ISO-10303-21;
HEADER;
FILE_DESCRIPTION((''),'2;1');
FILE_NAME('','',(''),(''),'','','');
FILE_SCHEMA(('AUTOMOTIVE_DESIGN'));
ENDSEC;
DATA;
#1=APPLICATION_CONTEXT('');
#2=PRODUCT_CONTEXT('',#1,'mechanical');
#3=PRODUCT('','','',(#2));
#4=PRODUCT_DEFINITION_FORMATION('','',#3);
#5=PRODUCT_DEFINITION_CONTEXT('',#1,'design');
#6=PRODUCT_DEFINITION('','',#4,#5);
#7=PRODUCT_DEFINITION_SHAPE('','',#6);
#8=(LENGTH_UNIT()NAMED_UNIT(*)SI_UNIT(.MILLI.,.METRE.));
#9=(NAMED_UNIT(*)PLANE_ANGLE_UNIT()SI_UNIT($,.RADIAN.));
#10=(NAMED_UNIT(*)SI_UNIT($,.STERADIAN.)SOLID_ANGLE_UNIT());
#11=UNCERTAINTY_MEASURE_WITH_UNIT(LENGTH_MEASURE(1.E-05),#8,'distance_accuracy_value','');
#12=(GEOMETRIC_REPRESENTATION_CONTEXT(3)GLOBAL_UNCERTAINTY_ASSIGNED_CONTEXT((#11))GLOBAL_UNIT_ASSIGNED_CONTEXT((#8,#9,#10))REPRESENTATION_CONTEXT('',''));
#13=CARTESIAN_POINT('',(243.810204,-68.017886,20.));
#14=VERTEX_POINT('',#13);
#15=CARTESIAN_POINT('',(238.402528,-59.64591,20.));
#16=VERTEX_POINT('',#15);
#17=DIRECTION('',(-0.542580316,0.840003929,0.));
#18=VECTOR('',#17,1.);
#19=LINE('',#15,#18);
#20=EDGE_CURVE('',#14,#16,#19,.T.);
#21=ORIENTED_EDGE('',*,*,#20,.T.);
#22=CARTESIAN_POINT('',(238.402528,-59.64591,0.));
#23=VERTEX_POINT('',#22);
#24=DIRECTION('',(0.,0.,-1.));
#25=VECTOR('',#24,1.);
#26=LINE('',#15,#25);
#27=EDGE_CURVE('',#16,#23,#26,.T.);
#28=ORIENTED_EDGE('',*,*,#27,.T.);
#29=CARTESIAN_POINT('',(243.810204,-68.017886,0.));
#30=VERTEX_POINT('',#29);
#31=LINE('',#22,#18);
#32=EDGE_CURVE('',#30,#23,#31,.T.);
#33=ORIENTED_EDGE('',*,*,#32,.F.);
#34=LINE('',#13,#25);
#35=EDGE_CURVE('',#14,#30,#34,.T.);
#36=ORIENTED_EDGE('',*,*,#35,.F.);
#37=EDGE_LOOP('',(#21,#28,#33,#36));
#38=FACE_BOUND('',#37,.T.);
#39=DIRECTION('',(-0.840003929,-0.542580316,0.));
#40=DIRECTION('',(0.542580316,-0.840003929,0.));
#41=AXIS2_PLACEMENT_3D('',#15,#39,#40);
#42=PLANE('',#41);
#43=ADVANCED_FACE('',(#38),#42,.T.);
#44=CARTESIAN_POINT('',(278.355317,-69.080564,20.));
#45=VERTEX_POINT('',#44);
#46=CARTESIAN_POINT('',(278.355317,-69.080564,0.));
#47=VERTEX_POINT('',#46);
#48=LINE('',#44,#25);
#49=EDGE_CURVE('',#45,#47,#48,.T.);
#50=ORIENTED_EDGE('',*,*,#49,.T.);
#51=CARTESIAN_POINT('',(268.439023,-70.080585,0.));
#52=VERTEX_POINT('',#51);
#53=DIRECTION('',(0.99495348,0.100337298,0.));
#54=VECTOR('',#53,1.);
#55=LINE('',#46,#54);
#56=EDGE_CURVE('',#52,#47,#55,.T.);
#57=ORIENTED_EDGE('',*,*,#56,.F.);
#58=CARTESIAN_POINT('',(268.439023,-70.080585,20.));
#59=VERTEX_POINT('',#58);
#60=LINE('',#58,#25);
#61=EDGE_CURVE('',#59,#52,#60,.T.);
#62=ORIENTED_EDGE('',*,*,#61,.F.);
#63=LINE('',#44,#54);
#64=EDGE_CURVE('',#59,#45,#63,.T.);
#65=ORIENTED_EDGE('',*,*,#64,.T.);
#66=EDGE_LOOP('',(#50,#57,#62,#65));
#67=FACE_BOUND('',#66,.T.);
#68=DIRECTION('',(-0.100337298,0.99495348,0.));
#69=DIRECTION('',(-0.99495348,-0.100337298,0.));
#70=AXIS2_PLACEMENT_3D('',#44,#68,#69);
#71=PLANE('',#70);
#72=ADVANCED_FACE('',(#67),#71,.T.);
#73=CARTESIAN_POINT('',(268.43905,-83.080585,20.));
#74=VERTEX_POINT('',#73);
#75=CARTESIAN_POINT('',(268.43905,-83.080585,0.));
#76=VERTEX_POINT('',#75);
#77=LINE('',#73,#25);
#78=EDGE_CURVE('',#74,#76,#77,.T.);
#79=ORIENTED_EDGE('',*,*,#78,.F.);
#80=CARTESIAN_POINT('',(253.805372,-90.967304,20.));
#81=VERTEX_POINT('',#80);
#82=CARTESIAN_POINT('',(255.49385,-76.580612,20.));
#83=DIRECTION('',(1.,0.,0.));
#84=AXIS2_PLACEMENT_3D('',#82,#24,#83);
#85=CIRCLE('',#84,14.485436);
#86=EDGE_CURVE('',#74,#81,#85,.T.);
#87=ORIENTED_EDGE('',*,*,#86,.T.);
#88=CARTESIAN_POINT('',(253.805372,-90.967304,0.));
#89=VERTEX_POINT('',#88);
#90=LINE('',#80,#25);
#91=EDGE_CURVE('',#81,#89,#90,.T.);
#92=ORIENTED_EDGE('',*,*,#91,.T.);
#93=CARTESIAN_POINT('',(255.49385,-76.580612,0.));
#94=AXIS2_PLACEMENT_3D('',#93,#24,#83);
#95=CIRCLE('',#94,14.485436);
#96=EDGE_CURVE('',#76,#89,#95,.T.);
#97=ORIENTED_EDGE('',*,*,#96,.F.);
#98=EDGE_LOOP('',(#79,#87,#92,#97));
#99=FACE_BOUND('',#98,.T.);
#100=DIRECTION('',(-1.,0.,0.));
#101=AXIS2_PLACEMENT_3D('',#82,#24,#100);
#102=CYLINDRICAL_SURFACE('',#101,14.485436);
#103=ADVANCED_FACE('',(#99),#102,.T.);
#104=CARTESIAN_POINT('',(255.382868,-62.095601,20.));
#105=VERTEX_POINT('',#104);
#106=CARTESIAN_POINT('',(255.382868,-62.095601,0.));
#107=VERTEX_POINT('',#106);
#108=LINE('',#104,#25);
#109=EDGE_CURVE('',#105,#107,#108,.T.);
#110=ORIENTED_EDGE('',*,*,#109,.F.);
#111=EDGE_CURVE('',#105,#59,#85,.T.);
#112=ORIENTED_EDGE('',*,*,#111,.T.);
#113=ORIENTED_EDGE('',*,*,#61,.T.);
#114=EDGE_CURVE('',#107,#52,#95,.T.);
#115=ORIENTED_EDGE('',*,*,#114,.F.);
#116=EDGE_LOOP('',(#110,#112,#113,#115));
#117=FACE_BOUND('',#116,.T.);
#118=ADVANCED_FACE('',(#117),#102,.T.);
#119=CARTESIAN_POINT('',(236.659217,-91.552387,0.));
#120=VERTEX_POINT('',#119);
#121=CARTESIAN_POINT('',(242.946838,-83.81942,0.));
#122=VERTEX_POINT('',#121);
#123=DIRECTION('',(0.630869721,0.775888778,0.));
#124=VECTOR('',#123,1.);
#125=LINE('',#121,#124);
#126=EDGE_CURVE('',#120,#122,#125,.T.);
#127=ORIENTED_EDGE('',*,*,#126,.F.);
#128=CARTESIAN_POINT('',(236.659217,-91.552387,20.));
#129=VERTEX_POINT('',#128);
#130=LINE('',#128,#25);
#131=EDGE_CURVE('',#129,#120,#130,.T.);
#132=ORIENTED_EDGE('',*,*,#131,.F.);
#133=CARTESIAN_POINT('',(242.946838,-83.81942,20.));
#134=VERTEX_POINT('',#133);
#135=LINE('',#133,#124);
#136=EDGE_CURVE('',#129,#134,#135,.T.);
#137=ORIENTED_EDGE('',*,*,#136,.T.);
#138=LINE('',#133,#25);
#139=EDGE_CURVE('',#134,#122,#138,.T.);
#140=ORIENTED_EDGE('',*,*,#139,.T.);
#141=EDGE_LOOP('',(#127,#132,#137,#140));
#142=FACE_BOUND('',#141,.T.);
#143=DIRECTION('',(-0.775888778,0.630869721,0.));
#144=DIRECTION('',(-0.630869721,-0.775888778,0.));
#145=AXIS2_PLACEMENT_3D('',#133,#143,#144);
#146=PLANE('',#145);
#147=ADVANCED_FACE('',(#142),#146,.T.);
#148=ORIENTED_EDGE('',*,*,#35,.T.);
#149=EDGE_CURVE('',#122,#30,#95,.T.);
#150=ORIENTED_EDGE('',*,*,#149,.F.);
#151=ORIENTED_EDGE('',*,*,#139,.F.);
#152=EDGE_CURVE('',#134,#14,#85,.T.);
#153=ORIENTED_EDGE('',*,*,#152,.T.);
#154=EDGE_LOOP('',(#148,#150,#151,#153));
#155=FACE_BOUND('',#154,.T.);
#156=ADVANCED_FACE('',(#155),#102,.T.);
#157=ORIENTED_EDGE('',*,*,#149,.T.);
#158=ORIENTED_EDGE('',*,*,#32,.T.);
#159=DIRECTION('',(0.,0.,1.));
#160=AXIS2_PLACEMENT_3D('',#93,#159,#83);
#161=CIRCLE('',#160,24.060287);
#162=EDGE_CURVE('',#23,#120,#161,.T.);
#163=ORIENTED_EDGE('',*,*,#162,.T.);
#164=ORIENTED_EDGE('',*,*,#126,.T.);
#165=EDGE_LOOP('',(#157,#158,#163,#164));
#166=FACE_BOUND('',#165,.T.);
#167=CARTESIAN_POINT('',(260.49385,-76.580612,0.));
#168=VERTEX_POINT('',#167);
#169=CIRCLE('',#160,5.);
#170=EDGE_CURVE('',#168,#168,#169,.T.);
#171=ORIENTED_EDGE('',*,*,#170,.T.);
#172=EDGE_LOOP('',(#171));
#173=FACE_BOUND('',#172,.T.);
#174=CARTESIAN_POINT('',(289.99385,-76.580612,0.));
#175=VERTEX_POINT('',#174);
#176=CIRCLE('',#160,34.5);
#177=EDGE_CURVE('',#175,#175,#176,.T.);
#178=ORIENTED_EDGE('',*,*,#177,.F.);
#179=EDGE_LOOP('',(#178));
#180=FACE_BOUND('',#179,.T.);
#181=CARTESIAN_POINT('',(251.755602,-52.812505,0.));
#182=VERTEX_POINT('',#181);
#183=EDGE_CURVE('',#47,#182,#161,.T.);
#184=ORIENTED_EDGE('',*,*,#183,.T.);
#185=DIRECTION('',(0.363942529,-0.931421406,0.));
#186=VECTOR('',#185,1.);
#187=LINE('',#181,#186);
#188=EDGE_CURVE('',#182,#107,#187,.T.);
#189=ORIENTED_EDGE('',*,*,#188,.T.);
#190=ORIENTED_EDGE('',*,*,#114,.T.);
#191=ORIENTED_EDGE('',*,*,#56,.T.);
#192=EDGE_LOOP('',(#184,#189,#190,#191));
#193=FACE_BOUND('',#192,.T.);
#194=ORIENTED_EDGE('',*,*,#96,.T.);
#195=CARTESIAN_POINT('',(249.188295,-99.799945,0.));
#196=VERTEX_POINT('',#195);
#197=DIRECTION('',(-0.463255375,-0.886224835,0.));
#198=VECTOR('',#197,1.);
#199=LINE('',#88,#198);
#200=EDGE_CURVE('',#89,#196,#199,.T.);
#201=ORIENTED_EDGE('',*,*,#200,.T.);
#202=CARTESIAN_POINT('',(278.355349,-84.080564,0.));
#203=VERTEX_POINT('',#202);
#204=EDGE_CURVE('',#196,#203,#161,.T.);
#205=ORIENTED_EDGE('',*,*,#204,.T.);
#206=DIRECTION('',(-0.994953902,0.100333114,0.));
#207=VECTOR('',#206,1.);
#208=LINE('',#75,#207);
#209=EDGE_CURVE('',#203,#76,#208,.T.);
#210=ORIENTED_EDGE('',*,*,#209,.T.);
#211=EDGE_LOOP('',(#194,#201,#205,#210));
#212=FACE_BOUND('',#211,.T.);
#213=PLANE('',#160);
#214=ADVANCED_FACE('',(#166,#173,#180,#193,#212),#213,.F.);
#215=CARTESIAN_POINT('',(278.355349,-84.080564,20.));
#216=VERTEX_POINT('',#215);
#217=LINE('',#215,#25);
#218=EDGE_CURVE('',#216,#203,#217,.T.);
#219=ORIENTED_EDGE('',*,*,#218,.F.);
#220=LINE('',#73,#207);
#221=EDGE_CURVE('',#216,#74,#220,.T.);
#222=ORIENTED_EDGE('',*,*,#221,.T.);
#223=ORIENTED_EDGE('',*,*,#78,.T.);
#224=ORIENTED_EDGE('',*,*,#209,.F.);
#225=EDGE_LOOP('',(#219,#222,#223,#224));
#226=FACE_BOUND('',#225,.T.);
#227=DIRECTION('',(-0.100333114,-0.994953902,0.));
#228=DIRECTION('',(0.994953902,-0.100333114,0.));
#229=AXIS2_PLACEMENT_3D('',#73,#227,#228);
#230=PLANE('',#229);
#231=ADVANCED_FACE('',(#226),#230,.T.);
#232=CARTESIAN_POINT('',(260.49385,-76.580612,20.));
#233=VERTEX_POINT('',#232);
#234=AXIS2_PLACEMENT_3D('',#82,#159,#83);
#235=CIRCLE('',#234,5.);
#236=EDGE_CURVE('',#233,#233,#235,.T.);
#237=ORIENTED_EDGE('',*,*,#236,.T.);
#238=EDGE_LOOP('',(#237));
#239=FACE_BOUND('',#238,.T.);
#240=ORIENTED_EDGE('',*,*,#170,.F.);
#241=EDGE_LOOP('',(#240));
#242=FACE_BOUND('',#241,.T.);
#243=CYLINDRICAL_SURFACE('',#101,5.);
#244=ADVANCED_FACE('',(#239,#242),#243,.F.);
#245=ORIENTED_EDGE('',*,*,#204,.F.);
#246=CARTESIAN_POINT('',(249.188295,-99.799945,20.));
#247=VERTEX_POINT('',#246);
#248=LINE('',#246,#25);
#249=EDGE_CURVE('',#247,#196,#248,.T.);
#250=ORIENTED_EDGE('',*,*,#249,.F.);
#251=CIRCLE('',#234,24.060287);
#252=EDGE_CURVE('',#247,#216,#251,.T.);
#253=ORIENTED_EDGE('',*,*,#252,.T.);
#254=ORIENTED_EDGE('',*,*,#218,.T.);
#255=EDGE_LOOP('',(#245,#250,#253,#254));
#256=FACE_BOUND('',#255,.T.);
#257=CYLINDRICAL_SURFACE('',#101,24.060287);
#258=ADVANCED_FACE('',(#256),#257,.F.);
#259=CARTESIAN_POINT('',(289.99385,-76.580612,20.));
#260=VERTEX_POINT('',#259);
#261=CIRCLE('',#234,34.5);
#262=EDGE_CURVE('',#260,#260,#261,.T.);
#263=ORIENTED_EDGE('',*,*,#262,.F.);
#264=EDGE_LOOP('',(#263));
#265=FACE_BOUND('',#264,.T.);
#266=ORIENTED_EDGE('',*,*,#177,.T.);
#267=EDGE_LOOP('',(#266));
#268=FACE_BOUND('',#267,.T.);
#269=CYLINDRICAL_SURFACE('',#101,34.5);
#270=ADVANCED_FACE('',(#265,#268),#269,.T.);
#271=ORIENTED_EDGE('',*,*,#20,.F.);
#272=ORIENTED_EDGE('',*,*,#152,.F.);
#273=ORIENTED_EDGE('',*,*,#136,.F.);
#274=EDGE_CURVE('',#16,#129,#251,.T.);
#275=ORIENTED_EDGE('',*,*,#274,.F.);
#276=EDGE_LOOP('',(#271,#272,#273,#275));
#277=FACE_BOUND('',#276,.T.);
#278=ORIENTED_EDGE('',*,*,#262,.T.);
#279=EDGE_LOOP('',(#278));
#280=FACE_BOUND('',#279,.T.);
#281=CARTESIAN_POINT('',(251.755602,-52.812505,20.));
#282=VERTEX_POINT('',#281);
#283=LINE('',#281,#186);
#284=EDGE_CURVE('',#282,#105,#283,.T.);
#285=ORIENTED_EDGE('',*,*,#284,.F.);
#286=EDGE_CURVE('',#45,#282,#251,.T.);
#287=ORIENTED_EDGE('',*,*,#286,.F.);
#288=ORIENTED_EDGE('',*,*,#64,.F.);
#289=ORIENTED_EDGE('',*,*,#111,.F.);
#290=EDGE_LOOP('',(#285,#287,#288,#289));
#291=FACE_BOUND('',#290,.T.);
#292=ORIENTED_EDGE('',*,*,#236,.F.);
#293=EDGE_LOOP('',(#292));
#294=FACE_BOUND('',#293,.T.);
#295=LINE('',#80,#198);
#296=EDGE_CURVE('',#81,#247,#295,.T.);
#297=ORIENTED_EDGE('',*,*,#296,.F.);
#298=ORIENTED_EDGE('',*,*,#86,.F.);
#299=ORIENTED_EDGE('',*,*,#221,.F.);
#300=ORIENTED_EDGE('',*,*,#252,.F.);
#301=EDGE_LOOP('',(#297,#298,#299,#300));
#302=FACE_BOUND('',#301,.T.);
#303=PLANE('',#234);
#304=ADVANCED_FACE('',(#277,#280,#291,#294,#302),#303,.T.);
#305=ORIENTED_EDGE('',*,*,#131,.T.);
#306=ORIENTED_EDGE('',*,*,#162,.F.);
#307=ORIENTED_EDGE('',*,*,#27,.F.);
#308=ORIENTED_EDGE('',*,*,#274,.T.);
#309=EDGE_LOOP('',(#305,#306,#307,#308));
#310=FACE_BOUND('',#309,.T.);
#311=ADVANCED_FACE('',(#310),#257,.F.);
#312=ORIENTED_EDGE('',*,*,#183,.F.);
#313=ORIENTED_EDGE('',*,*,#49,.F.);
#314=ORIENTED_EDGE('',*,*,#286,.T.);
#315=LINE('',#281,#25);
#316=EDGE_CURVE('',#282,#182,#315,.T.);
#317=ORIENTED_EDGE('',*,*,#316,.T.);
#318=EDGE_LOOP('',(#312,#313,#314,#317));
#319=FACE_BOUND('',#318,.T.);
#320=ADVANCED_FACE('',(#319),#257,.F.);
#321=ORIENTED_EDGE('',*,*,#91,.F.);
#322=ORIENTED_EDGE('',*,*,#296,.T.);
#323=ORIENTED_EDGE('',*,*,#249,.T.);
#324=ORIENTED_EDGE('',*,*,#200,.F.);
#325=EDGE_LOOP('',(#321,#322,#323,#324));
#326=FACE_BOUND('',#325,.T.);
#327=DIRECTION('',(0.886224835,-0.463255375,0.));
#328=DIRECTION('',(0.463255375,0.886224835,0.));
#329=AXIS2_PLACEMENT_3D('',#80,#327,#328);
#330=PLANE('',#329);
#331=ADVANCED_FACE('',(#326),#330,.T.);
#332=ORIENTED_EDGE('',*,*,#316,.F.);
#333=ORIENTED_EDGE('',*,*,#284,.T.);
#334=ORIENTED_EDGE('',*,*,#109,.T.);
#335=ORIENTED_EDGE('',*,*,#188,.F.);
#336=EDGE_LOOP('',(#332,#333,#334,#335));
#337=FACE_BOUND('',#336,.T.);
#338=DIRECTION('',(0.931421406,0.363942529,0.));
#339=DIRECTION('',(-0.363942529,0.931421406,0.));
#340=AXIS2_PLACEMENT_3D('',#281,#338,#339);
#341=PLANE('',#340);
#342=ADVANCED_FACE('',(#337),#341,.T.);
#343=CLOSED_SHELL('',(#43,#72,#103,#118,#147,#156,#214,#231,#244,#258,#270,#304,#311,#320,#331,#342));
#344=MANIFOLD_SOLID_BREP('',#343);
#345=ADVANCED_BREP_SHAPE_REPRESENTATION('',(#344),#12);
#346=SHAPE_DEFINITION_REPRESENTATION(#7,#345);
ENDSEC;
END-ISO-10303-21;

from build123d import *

# Parameters (mm, degrees)
SKETCH1_R          = 34.5
SKETCH1_R_2        = 5
BASE_EXTRUDE_DEPTH = 20


with BuildPart() as part:
    # Sketch1 → Base-Extrude (new body)
    with BuildSketch(Plane.XY):
        with Locations((255.493849666, -76.580612243)):
            Circle(SKETCH1_R)
        with Locations((255.493849666, -76.580612243)):
            Circle(SKETCH1_R_2, mode=Mode.SUBTRACT)
        with BuildLine():
            Line((268.439049892, -83.080585027), (278.355348881, -84.08056418))
            ThreePointArc((278.355348881, -84.08056418), (266.908732596, -97.760741447), (249.188294551, -99.799944708))
            Line((249.188294551, -99.799944708), (253.805371583, -90.9673039))
            ThreePointArc((253.805371583, -90.9673039), (262.366151463, -89.332056204), (268.439049892, -83.080585027))
        make_face(mode=Mode.SUBTRACT)
        with BuildLine():
            Line((242.946837579, -83.819420347), (236.659216854, -91.552386762))
            ThreePointArc((236.659216854, -91.552386762), (231.469396076, -75.2679603), (238.402528058, -59.645909673))
            Line((238.402528058, -59.645909673), (243.810204365, -68.0178856))
            ThreePointArc((243.810204365, -68.0178856), (241.029987303, -75.790333415), (242.946837579, -83.819420347))
        make_face(mode=Mode.SUBTRACT)
        with BuildLine():
            Line((251.755601813, -52.812504863), (255.382868286, -62.095601431))
            ThreePointArc((255.382868286, -62.095601431), (263.051568152, -64.223074204), (268.439022561, -70.080585027))
            Line((268.439022561, -70.080585027), (278.355317346, -69.08056418))
            ThreePointArc((278.355317346, -69.08056418), (268.047208684, -56.054760182), (251.755601813, -52.812504863))
        make_face(mode=Mode.SUBTRACT)
    extrude(amount=BASE_EXTRUDE_DEPTH)


solid = part.part
